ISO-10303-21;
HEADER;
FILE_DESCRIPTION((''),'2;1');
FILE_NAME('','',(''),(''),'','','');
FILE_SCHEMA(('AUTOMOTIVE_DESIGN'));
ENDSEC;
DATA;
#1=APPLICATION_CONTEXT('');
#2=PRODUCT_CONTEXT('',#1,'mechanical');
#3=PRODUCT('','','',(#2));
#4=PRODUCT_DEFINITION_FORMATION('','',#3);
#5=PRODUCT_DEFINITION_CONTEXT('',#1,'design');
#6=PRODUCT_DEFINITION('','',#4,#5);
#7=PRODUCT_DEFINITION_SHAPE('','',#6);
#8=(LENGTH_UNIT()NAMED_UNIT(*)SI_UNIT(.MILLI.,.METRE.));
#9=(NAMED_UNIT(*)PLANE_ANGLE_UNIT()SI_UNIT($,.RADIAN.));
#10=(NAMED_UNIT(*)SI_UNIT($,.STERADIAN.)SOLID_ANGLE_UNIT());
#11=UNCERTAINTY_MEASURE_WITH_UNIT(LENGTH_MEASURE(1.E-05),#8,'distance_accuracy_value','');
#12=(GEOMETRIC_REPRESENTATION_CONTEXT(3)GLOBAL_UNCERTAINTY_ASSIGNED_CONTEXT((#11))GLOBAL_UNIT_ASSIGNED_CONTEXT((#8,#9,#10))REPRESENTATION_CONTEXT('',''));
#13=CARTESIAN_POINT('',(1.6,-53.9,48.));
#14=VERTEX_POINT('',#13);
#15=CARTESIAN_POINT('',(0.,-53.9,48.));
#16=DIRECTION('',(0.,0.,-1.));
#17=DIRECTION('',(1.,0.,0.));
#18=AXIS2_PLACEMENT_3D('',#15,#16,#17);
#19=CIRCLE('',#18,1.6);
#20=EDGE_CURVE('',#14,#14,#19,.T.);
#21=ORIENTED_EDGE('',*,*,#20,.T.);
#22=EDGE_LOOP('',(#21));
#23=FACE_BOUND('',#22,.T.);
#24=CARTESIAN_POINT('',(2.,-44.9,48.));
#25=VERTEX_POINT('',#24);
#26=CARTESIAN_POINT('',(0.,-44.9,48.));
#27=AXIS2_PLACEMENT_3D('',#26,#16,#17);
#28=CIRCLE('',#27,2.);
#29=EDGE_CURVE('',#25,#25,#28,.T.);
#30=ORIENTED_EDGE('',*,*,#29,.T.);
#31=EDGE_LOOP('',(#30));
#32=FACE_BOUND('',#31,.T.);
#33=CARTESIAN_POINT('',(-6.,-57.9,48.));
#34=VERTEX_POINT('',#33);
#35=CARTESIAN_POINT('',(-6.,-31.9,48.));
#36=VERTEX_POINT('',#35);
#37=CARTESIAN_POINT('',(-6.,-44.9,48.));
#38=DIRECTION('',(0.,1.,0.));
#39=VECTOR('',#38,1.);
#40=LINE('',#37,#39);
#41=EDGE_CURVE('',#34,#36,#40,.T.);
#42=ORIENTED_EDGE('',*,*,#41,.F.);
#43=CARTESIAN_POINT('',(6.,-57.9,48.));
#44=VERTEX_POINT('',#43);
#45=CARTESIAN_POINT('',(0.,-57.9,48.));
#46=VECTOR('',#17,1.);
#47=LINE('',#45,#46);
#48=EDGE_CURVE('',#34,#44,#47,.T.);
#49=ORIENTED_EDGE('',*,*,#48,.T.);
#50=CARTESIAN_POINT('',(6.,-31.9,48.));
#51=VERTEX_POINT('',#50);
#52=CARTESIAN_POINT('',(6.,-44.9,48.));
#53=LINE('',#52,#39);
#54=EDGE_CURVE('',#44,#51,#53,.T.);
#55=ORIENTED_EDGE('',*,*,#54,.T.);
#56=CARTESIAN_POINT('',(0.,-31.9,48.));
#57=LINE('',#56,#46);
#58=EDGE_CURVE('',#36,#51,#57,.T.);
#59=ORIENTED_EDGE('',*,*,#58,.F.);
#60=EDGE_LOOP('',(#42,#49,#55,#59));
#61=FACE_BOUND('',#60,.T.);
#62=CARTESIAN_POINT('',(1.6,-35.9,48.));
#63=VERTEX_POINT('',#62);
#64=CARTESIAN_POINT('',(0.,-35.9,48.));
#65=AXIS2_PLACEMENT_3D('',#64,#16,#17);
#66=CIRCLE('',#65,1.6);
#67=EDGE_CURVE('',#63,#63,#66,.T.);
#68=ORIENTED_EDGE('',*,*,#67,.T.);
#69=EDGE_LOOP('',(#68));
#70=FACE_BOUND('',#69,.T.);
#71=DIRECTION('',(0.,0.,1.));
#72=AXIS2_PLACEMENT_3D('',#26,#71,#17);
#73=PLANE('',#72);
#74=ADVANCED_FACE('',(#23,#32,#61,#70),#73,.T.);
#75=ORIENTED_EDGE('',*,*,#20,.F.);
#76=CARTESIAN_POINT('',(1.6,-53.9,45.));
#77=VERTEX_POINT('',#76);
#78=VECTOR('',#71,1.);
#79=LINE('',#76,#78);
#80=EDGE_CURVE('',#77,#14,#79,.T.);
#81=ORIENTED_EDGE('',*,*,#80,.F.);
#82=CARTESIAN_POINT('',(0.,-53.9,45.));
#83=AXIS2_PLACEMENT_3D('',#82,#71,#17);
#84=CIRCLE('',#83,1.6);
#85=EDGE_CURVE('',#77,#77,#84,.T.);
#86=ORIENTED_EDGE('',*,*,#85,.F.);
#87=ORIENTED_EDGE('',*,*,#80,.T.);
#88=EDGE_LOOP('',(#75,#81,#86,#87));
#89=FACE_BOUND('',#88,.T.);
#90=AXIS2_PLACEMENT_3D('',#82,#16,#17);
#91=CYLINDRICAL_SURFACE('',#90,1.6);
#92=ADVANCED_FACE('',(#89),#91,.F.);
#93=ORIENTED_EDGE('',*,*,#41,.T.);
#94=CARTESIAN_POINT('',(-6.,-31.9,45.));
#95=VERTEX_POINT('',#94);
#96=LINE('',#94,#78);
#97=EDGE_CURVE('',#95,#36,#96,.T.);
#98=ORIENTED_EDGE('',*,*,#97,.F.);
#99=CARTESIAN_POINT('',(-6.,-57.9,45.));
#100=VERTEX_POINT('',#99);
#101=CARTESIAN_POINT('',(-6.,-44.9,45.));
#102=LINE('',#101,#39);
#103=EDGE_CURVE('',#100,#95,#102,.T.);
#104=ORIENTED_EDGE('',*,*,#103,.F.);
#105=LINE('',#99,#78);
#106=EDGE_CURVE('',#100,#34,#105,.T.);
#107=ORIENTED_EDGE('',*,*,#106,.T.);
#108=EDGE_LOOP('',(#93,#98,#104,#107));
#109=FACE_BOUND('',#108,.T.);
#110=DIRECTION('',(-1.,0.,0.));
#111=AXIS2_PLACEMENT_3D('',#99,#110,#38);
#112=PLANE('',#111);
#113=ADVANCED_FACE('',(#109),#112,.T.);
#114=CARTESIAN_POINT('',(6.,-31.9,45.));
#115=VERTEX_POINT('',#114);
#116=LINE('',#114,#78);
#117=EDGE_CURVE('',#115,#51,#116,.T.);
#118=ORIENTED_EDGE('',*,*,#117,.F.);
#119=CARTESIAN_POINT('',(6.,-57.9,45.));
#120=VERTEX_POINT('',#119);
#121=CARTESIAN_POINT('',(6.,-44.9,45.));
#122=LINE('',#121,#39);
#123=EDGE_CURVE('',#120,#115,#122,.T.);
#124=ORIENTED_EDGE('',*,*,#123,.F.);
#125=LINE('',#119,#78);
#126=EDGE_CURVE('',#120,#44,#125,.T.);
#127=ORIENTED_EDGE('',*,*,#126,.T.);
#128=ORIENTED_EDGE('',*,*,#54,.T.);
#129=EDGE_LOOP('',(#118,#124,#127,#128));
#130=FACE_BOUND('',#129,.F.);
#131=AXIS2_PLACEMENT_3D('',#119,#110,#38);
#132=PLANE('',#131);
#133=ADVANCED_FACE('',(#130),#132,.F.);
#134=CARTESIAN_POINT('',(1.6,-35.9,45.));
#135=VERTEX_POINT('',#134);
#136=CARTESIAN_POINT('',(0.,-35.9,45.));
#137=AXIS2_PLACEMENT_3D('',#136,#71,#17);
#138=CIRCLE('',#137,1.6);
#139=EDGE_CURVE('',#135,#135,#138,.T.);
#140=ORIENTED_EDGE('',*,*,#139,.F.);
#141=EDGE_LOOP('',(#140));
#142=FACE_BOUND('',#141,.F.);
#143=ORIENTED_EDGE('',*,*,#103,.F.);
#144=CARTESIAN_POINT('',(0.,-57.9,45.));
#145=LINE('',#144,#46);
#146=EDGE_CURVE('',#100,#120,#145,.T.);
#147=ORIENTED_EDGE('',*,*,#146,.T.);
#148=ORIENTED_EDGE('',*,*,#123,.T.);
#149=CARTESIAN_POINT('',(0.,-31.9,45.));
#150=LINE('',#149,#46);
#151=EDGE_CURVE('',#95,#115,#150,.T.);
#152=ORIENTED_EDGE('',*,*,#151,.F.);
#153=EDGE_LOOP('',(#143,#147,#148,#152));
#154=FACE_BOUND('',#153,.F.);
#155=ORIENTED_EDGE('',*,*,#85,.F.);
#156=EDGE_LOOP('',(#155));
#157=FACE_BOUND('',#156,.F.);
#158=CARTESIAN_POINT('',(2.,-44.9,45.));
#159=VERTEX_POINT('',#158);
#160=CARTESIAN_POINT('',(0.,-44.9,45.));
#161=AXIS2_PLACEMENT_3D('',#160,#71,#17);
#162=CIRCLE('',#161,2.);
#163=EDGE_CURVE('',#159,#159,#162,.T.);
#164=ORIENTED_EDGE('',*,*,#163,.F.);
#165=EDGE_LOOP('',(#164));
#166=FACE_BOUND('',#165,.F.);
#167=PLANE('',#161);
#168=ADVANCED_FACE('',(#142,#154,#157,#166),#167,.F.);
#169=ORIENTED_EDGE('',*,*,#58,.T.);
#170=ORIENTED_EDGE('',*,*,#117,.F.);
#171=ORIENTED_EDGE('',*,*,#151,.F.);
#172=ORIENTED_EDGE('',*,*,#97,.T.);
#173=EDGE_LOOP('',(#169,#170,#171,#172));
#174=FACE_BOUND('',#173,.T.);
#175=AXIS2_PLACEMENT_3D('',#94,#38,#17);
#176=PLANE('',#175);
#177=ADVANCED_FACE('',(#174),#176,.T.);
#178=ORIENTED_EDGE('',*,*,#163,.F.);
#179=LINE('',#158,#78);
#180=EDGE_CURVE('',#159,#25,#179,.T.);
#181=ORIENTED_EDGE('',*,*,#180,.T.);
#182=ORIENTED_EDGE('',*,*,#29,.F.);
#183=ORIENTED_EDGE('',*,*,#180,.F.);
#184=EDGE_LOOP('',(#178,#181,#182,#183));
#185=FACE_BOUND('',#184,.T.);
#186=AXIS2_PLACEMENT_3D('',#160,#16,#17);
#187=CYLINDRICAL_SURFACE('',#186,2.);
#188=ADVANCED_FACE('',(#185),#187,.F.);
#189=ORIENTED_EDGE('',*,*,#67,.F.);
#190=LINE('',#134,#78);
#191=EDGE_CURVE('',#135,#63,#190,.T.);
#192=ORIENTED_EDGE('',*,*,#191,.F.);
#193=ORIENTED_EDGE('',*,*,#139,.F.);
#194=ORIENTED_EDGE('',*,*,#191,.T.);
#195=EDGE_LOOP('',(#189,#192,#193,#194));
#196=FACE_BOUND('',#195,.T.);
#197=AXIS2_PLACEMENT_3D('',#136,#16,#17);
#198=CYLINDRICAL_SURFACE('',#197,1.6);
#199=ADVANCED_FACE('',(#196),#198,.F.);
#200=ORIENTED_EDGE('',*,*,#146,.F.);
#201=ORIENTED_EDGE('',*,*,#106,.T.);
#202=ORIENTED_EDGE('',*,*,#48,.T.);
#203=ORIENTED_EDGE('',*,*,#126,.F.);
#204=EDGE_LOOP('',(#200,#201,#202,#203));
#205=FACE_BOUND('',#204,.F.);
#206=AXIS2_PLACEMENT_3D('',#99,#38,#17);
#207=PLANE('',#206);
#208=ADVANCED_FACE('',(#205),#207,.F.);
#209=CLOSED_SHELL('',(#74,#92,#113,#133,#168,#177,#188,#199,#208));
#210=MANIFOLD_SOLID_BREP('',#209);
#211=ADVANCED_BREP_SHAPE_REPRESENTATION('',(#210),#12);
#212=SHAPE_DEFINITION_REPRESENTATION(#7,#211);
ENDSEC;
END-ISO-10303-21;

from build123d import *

# Parameters (mm, degrees)
CYLINDER030_R      = 2
CYLINDER030_DEPTH  = 10
CYLINDER032_R      = 1.6
CYLINDER032_DEPTH  = 10
CYLINDER031_R      = 1.6
CYLINDER031_DEPTH  = 10
BOX025014031_W     = 12
BOX025014031_H     = 26
BOX025014031_DEPTH = 3


with BuildPart() as cylinder030:
    # Cylinder030 → Cylinder030 (new body)
    with BuildSketch(Plane.XY):
        Circle(CYLINDER030_R)
    extrude(amount=CYLINDER030_DEPTH)


with BuildPart() as cylinder032:
    # Cylinder032 → Cylinder032 (new body)
    with BuildSketch(Plane(origin=(0, -9, 0), x_dir=(1, 0, 0), z_dir=(0, 0, 1))):
        Circle(CYLINDER032_R)
    extrude(amount=CYLINDER032_DEPTH)


with BuildPart() as fusion010020009007006003006003:
    # Cylinder031 → Cylinder031 (new body)
    with BuildSketch(Plane(origin=(0, 9, 0), x_dir=(1, 0, 0), z_dir=(0, 0, 1))):
        Circle(CYLINDER031_R)
    extrude(amount=CYLINDER031_DEPTH)

    # Fusion010020009007006003006003: union Cylinder030, Cylinder032
    add(cylinder030.part)
    add(cylinder032.part)


with BuildPart() as cut007002001007029003046001002:
    # Box025014031 → Box025014031 (new body)
    with BuildSketch(Plane(origin=(-6, -13, 0), x_dir=(1, 0, 0), z_dir=(0, 0, 1))):
        with Locations((6, 13)):
            Rectangle(BOX025014031_W, BOX025014031_H)
    extrude(amount=BOX025014031_DEPTH)

    # Cut007002001007029003046001002: cut Fusion010020009007006003006003
    add(fusion010020009007006003006003.part, mode=Mode.SUBTRACT)


with BuildPart() as cut007002001007029003046001002_1:
    # Cut007002001007029003046001002 placement: moved
    add(cut007002001007029003046001002.part.moved(Location((0, -44.9, 45))))


solid = cut007002001007029003046001002_1.part
